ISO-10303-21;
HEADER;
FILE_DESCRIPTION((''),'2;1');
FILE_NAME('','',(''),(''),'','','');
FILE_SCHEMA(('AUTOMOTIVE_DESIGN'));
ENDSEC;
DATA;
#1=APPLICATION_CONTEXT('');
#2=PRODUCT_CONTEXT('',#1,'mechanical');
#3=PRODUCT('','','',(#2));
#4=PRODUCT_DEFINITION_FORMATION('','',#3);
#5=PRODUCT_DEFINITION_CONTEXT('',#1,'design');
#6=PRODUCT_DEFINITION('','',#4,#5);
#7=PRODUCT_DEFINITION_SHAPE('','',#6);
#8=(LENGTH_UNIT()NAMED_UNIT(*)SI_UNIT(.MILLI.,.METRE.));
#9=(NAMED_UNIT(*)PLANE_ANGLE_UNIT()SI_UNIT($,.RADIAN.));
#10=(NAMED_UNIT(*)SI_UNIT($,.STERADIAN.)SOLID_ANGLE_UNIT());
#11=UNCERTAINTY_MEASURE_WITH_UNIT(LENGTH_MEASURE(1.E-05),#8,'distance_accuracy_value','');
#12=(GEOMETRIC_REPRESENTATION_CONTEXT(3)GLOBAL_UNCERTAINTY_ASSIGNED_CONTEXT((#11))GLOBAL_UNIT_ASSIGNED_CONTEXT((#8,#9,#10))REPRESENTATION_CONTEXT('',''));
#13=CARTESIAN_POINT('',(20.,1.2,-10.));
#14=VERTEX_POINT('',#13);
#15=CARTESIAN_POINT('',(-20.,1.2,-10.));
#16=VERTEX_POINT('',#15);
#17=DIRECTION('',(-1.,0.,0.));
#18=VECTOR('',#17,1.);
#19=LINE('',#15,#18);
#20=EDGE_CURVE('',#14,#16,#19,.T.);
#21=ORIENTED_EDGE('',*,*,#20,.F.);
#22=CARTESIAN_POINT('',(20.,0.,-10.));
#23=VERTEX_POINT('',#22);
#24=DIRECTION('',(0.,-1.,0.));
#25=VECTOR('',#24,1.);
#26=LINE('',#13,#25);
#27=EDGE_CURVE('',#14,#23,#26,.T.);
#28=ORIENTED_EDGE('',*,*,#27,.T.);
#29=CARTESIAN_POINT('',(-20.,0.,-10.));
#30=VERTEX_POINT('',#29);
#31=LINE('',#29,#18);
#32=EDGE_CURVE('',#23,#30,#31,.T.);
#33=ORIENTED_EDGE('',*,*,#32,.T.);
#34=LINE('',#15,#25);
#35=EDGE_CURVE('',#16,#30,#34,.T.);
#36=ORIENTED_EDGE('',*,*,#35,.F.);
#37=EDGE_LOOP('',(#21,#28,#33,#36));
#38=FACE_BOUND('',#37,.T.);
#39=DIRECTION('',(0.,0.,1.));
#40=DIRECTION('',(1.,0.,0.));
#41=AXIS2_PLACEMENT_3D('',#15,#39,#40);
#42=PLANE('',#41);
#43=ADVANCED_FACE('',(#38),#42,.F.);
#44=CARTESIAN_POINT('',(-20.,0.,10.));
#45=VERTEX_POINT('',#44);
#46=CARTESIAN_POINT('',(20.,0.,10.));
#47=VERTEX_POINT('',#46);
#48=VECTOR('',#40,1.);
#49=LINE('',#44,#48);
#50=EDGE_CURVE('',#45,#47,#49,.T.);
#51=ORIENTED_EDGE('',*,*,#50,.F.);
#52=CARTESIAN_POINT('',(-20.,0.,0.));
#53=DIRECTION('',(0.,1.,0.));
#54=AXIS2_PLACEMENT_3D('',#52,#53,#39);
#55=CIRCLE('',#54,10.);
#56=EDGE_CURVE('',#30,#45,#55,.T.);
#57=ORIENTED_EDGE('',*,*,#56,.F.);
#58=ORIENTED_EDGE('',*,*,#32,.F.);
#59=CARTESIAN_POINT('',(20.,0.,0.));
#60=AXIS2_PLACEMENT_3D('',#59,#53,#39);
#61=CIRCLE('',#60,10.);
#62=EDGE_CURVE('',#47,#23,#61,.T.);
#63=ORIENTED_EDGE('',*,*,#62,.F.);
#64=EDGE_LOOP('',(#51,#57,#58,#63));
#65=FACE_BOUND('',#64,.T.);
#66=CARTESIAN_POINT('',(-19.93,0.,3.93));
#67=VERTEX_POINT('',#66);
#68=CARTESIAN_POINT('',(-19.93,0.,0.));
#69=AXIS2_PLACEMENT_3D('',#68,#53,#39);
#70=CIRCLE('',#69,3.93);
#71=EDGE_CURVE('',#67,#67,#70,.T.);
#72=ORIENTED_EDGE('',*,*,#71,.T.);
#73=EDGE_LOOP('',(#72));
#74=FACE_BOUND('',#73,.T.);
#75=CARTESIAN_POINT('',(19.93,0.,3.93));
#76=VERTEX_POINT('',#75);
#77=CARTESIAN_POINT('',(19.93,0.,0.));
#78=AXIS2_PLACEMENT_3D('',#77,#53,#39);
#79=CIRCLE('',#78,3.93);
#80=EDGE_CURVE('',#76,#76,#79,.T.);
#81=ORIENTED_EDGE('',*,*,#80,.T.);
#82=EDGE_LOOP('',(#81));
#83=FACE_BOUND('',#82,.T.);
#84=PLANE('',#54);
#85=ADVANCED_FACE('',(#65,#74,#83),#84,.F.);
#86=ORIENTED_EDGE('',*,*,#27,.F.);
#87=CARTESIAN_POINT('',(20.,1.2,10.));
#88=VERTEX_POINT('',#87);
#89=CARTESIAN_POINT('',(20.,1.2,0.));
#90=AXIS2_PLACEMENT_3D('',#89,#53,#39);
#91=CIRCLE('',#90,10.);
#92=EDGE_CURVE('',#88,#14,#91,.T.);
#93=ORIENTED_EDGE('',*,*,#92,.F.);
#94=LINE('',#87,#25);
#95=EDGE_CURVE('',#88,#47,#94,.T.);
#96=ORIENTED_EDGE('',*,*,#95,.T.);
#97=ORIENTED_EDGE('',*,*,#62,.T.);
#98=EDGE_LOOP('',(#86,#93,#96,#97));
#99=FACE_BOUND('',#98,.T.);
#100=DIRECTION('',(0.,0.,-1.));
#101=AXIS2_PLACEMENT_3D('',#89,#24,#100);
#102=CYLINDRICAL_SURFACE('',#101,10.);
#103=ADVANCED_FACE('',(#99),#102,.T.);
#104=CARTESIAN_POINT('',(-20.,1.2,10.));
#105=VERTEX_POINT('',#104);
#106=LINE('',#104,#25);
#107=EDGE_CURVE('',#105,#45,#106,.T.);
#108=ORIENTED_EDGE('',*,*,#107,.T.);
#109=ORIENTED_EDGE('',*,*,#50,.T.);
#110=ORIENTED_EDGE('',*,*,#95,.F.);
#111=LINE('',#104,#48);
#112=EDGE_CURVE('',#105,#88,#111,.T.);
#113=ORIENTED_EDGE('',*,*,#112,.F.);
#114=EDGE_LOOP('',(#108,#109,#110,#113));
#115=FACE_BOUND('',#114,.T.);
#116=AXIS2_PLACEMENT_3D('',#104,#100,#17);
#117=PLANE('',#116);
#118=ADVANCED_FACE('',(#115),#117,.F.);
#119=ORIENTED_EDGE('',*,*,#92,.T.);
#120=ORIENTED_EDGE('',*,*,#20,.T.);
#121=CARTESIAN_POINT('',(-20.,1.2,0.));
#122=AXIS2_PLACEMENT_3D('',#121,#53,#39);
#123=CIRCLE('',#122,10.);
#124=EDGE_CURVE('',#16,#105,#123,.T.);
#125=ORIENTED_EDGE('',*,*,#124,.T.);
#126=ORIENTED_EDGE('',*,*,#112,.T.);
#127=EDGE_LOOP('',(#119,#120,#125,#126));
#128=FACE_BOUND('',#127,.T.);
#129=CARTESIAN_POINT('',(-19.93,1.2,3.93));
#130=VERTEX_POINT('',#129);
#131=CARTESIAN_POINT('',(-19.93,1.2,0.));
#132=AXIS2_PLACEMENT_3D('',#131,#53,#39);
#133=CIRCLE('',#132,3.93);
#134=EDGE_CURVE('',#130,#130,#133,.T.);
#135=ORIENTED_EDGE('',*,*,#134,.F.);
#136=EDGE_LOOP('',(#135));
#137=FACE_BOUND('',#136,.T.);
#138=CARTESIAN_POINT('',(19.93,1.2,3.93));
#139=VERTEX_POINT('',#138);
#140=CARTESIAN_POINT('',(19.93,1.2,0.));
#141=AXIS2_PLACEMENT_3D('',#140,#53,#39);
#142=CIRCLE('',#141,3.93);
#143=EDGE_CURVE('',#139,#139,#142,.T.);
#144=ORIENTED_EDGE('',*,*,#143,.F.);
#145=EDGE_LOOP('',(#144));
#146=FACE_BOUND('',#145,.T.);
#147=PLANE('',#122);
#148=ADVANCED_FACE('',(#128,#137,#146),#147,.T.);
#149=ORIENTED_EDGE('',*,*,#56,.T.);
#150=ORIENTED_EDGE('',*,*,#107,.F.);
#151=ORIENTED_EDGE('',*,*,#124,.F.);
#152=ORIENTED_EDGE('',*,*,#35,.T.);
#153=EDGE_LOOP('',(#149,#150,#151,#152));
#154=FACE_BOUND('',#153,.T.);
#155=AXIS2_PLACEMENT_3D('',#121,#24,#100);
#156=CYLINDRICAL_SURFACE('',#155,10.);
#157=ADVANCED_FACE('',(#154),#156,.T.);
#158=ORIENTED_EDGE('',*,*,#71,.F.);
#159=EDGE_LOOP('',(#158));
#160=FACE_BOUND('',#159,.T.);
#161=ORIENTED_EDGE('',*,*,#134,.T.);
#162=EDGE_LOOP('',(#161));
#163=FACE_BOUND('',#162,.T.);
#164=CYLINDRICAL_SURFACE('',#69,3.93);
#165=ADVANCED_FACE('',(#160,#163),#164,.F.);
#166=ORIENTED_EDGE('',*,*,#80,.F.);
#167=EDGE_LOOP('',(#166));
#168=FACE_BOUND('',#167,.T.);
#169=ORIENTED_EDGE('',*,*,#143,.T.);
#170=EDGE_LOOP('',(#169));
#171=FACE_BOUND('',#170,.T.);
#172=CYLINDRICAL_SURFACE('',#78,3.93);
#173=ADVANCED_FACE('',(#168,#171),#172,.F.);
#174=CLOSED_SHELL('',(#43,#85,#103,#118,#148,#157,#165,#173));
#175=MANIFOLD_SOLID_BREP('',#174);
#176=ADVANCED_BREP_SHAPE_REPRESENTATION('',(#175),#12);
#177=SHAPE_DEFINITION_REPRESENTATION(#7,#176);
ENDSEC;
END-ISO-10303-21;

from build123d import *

# Parameters (mm, degrees)
BOSS_EXTRUDE1_DEPTH = 1.2
SKETCH2_R           = 3.93
CUT_EXTRUDE1_DEPTH  = 32.64553681


with BuildPart() as part:
    # Sketch1 → Boss-Extrude1 (new body)
    with BuildSketch(Plane(origin=(0, 0, 0), x_dir=(1, 0, 0), z_dir=(0, 1, 0))):
        with BuildLine():
            Line((-20, 10), (20, 10))
            ThreePointArc((20, 10), (30, 0), (20, -10))
            Line((20, -10), (-20, -10))
            ThreePointArc((-20, -10), (-30, 0), (-20, 10))
        make_face()
    extrude(amount=BOSS_EXTRUDE1_DEPTH)

    # Sketch2 → Cut-Extrude1 (cut, through all)
    with BuildSketch(Plane(origin=(0, 1.2, 0), x_dir=(1, 0, 0), z_dir=(0, 1, 0))):
        with Locations(Location((-19.93, 0, 0), (0, 0, 270))):
            Circle(SKETCH2_R)
        with Locations(Location((19.93, 0, 0), (0, 0, 270))):
            Circle(SKETCH2_R)
    extrude(amount=-CUT_EXTRUDE1_DEPTH, mode=Mode.SUBTRACT)


solid = part.part
